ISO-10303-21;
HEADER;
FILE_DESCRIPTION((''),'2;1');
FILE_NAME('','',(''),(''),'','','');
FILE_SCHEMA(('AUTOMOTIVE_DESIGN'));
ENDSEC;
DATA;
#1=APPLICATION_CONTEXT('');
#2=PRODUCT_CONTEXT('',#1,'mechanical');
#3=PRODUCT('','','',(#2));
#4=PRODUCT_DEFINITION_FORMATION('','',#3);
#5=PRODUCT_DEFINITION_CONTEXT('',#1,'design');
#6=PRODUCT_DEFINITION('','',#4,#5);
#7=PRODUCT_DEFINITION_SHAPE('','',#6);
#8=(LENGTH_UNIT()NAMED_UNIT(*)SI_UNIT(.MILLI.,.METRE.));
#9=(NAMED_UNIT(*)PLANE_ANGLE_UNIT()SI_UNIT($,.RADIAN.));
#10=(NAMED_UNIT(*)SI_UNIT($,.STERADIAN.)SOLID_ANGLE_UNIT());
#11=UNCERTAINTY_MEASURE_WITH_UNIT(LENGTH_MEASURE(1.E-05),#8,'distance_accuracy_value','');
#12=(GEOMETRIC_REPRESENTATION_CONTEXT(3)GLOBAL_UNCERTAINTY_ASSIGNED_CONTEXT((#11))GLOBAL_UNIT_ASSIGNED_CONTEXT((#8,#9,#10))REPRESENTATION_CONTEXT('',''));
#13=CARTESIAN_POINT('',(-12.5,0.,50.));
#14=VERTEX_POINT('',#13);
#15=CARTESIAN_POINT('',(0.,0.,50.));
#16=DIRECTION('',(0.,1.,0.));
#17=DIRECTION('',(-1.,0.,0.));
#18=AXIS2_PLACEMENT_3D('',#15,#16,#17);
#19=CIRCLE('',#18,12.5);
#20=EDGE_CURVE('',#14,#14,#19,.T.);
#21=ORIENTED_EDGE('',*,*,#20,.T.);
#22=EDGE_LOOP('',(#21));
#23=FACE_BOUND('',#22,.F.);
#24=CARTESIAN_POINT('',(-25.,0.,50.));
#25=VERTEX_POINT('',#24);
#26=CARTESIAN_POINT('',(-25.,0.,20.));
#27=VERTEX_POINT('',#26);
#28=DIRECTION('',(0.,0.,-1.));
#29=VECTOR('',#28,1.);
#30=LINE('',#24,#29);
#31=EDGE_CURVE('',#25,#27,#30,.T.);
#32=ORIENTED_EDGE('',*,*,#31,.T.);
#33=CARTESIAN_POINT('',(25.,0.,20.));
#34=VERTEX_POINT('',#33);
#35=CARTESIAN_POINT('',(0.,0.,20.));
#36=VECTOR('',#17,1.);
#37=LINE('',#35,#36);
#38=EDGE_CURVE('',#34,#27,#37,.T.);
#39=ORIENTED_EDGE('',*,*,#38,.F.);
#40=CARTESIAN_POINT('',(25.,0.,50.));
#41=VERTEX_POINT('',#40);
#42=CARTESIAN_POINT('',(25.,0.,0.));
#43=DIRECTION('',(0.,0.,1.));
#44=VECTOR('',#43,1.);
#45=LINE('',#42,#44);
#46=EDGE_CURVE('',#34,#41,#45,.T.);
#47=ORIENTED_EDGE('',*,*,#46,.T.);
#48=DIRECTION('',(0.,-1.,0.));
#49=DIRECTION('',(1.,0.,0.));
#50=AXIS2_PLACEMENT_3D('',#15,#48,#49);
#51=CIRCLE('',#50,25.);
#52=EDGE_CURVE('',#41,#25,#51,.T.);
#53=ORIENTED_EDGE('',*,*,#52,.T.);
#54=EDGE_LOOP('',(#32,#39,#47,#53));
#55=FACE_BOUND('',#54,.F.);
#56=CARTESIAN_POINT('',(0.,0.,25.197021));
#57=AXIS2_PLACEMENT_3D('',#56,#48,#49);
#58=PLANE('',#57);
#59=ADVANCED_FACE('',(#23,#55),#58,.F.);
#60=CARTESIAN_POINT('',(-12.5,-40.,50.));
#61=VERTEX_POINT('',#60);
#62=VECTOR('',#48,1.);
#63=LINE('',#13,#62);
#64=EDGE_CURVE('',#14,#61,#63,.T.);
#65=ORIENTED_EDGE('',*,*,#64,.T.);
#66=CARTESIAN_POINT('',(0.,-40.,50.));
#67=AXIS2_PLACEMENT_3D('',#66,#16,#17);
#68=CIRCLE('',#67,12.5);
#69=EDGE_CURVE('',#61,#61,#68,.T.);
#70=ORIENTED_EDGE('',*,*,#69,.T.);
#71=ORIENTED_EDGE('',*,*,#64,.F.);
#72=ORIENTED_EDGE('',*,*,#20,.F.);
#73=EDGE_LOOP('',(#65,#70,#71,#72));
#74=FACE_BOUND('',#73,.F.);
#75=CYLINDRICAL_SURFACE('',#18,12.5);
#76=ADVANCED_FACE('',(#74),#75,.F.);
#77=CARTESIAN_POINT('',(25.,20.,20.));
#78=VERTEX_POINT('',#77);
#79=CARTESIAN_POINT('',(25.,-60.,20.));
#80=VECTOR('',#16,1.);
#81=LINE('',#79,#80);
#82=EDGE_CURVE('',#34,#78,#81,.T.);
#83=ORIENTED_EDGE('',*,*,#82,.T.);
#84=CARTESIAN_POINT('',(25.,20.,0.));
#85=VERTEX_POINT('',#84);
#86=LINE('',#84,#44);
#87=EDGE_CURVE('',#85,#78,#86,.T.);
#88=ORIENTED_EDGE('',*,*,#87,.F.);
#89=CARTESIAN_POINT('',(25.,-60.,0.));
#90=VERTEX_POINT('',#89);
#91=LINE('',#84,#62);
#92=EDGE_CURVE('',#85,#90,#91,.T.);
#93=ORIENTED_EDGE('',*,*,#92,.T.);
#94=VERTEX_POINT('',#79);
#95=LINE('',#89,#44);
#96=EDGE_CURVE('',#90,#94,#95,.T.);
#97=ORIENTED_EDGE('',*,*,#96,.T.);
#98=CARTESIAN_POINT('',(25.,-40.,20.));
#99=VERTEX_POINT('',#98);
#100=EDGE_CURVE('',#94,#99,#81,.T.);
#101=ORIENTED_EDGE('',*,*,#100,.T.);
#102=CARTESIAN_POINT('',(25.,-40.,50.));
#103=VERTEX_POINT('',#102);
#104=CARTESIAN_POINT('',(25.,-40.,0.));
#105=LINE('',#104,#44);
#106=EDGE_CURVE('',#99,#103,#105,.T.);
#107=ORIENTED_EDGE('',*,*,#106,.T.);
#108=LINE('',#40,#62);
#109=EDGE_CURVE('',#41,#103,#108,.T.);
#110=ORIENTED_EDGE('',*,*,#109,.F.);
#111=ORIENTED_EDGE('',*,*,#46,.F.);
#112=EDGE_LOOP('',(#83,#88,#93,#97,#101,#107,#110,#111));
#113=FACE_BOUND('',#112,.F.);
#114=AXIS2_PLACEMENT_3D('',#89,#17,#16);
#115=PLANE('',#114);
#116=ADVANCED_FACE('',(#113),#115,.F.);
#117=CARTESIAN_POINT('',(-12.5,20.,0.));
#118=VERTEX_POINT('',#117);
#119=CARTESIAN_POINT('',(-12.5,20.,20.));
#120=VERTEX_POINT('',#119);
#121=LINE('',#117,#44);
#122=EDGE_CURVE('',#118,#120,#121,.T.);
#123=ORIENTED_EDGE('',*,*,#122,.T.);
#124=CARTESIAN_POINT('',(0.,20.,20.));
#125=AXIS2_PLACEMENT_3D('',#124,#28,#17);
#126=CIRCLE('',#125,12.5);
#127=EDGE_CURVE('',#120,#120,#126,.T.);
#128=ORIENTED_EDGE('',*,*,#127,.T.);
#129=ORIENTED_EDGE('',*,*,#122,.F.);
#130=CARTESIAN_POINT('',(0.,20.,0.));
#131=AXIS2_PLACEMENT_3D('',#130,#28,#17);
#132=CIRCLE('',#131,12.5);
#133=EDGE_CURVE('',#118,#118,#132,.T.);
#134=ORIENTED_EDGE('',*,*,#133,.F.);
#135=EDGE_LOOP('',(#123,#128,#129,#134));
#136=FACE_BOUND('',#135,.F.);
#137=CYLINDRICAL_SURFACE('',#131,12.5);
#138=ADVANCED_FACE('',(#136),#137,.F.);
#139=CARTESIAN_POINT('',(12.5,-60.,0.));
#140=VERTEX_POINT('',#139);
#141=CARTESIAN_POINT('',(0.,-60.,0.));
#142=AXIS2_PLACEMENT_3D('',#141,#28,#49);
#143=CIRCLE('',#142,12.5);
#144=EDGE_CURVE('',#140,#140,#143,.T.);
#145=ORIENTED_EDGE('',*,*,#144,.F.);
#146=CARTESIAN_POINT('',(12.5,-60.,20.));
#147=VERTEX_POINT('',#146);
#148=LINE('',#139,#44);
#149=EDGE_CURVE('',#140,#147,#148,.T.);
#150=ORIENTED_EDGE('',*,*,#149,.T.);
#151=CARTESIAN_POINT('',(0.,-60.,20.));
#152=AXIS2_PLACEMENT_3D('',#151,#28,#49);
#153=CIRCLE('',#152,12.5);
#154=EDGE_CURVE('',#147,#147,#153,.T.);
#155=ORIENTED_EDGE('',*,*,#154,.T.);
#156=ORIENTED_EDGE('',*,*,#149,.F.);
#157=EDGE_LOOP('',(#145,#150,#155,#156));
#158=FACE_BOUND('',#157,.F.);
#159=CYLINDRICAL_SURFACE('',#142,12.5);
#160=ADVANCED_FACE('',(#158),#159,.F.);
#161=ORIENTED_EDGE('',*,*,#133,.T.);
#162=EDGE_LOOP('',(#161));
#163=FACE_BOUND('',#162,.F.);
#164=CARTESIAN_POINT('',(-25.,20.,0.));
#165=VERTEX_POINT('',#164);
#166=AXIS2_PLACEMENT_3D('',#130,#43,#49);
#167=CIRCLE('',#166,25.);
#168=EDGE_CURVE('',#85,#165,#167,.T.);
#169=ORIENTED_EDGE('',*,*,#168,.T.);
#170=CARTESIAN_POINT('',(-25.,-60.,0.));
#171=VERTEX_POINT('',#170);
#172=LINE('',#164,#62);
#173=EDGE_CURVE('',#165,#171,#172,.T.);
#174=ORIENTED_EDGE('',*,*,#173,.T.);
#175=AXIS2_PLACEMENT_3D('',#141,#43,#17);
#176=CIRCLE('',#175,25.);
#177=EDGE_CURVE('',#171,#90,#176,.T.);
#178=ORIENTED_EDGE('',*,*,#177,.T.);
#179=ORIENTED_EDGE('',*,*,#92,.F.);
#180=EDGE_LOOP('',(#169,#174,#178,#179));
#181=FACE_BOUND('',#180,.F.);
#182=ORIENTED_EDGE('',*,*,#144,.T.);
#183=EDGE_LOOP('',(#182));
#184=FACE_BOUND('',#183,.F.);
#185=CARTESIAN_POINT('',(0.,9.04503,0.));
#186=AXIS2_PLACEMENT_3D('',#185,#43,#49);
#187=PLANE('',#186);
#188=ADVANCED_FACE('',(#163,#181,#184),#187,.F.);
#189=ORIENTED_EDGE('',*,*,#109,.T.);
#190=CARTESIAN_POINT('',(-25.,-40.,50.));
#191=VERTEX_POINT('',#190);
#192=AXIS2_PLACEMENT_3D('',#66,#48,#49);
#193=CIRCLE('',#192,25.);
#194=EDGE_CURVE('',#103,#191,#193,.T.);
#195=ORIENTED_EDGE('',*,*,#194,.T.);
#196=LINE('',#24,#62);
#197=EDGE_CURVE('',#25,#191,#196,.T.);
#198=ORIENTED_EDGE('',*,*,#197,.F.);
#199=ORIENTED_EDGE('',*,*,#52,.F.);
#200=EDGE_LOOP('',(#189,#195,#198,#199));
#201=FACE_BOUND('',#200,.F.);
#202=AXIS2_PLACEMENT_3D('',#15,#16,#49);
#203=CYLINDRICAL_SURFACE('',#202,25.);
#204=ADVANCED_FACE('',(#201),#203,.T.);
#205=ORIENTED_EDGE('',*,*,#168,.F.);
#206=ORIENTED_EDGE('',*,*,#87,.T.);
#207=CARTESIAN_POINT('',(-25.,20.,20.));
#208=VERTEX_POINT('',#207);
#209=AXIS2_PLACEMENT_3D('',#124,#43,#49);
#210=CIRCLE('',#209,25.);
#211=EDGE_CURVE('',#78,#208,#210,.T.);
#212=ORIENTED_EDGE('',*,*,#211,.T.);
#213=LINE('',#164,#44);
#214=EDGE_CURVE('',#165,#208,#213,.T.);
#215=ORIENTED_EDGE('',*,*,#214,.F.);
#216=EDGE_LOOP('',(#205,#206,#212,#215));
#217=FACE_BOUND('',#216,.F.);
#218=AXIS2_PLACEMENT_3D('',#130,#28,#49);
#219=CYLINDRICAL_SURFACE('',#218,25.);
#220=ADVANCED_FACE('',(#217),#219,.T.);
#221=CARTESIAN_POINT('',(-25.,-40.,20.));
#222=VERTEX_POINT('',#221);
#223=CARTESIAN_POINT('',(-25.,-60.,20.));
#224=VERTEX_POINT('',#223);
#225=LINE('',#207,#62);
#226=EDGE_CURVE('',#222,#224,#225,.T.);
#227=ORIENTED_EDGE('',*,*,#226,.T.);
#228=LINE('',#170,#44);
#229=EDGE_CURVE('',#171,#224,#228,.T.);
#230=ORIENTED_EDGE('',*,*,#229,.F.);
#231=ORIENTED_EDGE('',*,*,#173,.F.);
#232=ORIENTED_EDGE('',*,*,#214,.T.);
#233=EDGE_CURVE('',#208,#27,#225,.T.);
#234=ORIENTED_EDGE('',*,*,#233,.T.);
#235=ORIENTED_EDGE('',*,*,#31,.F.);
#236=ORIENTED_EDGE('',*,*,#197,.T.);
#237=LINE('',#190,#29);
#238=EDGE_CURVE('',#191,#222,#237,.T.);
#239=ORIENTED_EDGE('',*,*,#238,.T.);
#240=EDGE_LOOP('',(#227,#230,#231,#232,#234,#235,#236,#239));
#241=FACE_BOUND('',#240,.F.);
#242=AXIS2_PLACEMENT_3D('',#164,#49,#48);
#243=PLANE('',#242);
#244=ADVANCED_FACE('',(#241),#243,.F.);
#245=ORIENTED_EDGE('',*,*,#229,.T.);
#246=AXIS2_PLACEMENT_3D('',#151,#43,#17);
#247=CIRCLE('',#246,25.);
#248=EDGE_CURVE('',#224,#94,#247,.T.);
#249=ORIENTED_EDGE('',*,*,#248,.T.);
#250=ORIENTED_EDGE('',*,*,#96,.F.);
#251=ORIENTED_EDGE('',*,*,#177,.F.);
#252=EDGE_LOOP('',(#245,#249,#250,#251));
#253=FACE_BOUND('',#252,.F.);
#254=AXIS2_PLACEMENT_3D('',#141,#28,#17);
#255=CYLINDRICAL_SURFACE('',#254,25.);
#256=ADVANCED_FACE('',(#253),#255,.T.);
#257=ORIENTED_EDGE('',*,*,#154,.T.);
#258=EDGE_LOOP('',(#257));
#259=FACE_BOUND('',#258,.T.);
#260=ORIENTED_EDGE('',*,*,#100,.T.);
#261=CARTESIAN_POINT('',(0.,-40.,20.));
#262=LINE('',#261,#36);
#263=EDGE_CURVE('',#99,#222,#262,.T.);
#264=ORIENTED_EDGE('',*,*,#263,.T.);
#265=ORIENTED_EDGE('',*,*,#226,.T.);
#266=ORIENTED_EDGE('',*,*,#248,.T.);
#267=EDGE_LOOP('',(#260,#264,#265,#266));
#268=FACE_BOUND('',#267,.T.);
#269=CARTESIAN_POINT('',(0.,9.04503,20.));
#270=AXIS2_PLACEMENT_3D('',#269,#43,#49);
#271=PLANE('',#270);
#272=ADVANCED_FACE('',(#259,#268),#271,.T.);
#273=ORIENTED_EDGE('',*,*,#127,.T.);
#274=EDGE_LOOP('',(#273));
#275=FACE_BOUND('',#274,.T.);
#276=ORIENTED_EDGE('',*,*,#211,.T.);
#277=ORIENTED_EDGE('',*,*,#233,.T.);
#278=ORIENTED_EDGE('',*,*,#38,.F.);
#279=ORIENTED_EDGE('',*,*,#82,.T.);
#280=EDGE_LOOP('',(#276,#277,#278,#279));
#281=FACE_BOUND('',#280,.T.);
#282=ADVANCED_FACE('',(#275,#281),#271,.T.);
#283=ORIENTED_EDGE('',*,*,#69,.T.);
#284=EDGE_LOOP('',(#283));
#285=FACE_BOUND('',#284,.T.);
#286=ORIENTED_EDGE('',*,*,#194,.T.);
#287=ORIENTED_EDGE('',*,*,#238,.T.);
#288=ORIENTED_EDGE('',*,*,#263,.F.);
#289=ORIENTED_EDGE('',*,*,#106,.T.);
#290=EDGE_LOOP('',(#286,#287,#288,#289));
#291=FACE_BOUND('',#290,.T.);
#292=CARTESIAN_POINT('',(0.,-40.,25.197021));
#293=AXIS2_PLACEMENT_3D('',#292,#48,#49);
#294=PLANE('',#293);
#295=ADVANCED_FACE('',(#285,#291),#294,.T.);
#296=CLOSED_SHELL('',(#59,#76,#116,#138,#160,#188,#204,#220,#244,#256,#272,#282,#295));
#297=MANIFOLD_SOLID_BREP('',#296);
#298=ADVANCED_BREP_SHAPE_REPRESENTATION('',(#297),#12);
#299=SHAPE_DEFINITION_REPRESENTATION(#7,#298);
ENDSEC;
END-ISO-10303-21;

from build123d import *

# Parameters (mm, degrees)
F1_DEPTH = 40
F2_W     = 50
F2_H     = 40
F3_DEPTH = 20


with BuildPart() as f1:
    # F0 (on Front) → F1 (new body)
    with BuildSketch(Plane.XZ):
        with BuildLine():
            Line((25, 0), (25, 50))
            Line((25, 50), (12.5, 50))
            ThreePointArc((12.5, 50), (0, 37.5), (-12.5, 50))
            Line((-12.5, 50), (-25, 50))
            Line((-25, 50), (-25, 0))
            Line((-25, 0), (25, 0))
        make_face()
        with BuildLine():
            Line((12.5, 50), (25, 50))
            ThreePointArc((25, 50), (0, 75), (-25, 50))
            Line((-25, 50), (-12.5, 50))
            ThreePointArc((-12.5, 50), (0, 62.5), (12.5, 50))
        make_face()
    extrude(amount=F1_DEPTH)

    # F2 (on Top) → F3 (join)
    with BuildSketch(Plane.XY):
        with BuildLine():
            Line((-25, 20), (-25, 0))
            Line((-25, 0), (25, 0))
            Line((25, 0), (25, 20))
            Line((25, 20), (12.5, 20))
            ThreePointArc((12.5, 20), (0, 7.5), (-12.5, 20))
            Line((-12.5, 20), (-25, 20))
        make_face()
        with Locations((0, -20)):
            Rectangle(F2_W, F2_H)
        with BuildLine():
            ThreePointArc((25, 20), (0, 45), (-25, 20))
            Line((-25, 20), (-12.5, 20))
            ThreePointArc((-12.5, 20), (0, 32.5), (12.5, 20))
            Line((12.5, 20), (25, 20))
        make_face()
        with BuildLine():
            Line((25, -40), (-25, -40))
            Line((-25, -40), (-25, -60))
            Line((-25, -60), (-12.5, -60))
            ThreePointArc((-12.5, -60), (0, -47.5), (12.5, -60))
            Line((12.5, -60), (25, -60))
            Line((25, -60), (25, -40))
        make_face()
        with BuildLine():
            Line((-12.5, -60), (-25, -60))
            ThreePointArc((-25, -60), (0, -85), (25, -60))
            Line((25, -60), (12.5, -60))
            ThreePointArc((12.5, -60), (0, -72.5), (-12.5, -60))
        make_face()
    extrude(amount=F3_DEPTH)


solid = f1.part
